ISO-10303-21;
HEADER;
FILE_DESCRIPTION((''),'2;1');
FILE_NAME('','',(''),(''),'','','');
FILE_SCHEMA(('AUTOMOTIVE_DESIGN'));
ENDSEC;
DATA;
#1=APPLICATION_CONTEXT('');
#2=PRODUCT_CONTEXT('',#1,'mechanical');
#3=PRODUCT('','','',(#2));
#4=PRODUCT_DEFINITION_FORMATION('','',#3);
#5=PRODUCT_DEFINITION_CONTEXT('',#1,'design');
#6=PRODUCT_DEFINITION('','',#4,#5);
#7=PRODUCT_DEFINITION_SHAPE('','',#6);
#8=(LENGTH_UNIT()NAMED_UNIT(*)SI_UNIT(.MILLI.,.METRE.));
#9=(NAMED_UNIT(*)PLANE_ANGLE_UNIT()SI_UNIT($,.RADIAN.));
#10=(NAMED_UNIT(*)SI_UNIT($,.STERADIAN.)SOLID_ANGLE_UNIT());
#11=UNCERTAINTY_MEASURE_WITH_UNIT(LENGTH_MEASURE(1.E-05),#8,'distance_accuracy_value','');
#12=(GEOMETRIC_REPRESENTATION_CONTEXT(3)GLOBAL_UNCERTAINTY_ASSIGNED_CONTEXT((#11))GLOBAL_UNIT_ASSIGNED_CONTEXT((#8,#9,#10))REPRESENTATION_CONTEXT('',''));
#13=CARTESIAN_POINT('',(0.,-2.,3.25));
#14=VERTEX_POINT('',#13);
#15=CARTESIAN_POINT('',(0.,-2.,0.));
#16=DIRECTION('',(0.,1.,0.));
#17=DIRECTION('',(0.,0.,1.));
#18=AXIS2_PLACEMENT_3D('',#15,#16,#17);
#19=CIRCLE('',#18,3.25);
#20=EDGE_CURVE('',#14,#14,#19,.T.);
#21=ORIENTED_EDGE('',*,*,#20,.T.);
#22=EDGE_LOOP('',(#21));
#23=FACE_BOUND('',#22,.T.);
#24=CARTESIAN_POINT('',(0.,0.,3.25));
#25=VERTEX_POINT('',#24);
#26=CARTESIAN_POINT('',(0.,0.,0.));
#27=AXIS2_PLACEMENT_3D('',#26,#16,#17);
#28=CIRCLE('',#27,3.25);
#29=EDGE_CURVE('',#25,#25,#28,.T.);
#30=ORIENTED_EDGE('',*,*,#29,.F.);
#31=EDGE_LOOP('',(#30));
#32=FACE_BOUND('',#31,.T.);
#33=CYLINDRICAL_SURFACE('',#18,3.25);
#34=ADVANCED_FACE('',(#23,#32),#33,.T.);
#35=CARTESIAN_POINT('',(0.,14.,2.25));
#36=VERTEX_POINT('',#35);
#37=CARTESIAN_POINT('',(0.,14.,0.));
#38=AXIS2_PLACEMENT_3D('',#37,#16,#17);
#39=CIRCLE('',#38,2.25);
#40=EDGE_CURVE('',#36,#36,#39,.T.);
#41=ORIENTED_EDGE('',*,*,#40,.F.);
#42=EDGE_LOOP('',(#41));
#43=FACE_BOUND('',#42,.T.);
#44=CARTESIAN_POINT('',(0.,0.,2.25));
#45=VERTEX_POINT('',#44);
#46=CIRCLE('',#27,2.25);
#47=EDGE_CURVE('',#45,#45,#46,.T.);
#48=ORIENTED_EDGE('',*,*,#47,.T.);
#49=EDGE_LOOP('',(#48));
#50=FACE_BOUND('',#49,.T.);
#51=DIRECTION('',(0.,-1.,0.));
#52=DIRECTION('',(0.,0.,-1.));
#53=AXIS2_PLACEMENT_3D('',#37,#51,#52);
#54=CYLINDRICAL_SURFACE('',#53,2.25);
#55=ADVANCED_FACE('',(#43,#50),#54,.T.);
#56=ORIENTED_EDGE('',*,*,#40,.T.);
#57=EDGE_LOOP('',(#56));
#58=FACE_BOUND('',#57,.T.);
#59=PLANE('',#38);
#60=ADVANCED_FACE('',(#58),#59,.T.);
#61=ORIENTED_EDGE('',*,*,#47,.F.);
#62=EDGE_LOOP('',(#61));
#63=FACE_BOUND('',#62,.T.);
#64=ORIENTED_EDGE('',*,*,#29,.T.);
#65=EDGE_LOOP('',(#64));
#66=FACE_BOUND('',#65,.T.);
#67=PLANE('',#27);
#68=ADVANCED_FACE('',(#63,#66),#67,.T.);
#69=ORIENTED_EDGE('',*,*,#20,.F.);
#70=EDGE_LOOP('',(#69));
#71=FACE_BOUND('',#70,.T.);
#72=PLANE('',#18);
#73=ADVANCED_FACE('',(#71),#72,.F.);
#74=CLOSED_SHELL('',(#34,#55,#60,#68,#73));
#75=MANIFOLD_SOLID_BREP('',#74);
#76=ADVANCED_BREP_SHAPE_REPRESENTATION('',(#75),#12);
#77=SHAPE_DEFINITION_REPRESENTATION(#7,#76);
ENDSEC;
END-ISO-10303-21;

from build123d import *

# Parameters (mm, degrees)
SKETCH2_R           = 2.25
BOSS_EXTRUDE1_DEPTH = 14
SKETCH2_3_R         = 3.25
BOSS_EXTRUDE2_DEPTH = 2


with BuildPart() as part:
    # Sketch2 → Boss-Extrude1 (new body)
    with BuildSketch(Plane(origin=(0, 0, 0), x_dir=(1, 0, 0), z_dir=(0, 1, 0))):
        Circle(SKETCH2_R)
    extrude(amount=BOSS_EXTRUDE1_DEPTH)

    # Sketch2<3> → Boss-Extrude2 (add)
    with BuildSketch(Plane(origin=(0, 0, 0), x_dir=(1, 0, 0), z_dir=(0, 1, 0))):
        Circle(SKETCH2_3_R)
    extrude(amount=-BOSS_EXTRUDE2_DEPTH)


solid = part.part
